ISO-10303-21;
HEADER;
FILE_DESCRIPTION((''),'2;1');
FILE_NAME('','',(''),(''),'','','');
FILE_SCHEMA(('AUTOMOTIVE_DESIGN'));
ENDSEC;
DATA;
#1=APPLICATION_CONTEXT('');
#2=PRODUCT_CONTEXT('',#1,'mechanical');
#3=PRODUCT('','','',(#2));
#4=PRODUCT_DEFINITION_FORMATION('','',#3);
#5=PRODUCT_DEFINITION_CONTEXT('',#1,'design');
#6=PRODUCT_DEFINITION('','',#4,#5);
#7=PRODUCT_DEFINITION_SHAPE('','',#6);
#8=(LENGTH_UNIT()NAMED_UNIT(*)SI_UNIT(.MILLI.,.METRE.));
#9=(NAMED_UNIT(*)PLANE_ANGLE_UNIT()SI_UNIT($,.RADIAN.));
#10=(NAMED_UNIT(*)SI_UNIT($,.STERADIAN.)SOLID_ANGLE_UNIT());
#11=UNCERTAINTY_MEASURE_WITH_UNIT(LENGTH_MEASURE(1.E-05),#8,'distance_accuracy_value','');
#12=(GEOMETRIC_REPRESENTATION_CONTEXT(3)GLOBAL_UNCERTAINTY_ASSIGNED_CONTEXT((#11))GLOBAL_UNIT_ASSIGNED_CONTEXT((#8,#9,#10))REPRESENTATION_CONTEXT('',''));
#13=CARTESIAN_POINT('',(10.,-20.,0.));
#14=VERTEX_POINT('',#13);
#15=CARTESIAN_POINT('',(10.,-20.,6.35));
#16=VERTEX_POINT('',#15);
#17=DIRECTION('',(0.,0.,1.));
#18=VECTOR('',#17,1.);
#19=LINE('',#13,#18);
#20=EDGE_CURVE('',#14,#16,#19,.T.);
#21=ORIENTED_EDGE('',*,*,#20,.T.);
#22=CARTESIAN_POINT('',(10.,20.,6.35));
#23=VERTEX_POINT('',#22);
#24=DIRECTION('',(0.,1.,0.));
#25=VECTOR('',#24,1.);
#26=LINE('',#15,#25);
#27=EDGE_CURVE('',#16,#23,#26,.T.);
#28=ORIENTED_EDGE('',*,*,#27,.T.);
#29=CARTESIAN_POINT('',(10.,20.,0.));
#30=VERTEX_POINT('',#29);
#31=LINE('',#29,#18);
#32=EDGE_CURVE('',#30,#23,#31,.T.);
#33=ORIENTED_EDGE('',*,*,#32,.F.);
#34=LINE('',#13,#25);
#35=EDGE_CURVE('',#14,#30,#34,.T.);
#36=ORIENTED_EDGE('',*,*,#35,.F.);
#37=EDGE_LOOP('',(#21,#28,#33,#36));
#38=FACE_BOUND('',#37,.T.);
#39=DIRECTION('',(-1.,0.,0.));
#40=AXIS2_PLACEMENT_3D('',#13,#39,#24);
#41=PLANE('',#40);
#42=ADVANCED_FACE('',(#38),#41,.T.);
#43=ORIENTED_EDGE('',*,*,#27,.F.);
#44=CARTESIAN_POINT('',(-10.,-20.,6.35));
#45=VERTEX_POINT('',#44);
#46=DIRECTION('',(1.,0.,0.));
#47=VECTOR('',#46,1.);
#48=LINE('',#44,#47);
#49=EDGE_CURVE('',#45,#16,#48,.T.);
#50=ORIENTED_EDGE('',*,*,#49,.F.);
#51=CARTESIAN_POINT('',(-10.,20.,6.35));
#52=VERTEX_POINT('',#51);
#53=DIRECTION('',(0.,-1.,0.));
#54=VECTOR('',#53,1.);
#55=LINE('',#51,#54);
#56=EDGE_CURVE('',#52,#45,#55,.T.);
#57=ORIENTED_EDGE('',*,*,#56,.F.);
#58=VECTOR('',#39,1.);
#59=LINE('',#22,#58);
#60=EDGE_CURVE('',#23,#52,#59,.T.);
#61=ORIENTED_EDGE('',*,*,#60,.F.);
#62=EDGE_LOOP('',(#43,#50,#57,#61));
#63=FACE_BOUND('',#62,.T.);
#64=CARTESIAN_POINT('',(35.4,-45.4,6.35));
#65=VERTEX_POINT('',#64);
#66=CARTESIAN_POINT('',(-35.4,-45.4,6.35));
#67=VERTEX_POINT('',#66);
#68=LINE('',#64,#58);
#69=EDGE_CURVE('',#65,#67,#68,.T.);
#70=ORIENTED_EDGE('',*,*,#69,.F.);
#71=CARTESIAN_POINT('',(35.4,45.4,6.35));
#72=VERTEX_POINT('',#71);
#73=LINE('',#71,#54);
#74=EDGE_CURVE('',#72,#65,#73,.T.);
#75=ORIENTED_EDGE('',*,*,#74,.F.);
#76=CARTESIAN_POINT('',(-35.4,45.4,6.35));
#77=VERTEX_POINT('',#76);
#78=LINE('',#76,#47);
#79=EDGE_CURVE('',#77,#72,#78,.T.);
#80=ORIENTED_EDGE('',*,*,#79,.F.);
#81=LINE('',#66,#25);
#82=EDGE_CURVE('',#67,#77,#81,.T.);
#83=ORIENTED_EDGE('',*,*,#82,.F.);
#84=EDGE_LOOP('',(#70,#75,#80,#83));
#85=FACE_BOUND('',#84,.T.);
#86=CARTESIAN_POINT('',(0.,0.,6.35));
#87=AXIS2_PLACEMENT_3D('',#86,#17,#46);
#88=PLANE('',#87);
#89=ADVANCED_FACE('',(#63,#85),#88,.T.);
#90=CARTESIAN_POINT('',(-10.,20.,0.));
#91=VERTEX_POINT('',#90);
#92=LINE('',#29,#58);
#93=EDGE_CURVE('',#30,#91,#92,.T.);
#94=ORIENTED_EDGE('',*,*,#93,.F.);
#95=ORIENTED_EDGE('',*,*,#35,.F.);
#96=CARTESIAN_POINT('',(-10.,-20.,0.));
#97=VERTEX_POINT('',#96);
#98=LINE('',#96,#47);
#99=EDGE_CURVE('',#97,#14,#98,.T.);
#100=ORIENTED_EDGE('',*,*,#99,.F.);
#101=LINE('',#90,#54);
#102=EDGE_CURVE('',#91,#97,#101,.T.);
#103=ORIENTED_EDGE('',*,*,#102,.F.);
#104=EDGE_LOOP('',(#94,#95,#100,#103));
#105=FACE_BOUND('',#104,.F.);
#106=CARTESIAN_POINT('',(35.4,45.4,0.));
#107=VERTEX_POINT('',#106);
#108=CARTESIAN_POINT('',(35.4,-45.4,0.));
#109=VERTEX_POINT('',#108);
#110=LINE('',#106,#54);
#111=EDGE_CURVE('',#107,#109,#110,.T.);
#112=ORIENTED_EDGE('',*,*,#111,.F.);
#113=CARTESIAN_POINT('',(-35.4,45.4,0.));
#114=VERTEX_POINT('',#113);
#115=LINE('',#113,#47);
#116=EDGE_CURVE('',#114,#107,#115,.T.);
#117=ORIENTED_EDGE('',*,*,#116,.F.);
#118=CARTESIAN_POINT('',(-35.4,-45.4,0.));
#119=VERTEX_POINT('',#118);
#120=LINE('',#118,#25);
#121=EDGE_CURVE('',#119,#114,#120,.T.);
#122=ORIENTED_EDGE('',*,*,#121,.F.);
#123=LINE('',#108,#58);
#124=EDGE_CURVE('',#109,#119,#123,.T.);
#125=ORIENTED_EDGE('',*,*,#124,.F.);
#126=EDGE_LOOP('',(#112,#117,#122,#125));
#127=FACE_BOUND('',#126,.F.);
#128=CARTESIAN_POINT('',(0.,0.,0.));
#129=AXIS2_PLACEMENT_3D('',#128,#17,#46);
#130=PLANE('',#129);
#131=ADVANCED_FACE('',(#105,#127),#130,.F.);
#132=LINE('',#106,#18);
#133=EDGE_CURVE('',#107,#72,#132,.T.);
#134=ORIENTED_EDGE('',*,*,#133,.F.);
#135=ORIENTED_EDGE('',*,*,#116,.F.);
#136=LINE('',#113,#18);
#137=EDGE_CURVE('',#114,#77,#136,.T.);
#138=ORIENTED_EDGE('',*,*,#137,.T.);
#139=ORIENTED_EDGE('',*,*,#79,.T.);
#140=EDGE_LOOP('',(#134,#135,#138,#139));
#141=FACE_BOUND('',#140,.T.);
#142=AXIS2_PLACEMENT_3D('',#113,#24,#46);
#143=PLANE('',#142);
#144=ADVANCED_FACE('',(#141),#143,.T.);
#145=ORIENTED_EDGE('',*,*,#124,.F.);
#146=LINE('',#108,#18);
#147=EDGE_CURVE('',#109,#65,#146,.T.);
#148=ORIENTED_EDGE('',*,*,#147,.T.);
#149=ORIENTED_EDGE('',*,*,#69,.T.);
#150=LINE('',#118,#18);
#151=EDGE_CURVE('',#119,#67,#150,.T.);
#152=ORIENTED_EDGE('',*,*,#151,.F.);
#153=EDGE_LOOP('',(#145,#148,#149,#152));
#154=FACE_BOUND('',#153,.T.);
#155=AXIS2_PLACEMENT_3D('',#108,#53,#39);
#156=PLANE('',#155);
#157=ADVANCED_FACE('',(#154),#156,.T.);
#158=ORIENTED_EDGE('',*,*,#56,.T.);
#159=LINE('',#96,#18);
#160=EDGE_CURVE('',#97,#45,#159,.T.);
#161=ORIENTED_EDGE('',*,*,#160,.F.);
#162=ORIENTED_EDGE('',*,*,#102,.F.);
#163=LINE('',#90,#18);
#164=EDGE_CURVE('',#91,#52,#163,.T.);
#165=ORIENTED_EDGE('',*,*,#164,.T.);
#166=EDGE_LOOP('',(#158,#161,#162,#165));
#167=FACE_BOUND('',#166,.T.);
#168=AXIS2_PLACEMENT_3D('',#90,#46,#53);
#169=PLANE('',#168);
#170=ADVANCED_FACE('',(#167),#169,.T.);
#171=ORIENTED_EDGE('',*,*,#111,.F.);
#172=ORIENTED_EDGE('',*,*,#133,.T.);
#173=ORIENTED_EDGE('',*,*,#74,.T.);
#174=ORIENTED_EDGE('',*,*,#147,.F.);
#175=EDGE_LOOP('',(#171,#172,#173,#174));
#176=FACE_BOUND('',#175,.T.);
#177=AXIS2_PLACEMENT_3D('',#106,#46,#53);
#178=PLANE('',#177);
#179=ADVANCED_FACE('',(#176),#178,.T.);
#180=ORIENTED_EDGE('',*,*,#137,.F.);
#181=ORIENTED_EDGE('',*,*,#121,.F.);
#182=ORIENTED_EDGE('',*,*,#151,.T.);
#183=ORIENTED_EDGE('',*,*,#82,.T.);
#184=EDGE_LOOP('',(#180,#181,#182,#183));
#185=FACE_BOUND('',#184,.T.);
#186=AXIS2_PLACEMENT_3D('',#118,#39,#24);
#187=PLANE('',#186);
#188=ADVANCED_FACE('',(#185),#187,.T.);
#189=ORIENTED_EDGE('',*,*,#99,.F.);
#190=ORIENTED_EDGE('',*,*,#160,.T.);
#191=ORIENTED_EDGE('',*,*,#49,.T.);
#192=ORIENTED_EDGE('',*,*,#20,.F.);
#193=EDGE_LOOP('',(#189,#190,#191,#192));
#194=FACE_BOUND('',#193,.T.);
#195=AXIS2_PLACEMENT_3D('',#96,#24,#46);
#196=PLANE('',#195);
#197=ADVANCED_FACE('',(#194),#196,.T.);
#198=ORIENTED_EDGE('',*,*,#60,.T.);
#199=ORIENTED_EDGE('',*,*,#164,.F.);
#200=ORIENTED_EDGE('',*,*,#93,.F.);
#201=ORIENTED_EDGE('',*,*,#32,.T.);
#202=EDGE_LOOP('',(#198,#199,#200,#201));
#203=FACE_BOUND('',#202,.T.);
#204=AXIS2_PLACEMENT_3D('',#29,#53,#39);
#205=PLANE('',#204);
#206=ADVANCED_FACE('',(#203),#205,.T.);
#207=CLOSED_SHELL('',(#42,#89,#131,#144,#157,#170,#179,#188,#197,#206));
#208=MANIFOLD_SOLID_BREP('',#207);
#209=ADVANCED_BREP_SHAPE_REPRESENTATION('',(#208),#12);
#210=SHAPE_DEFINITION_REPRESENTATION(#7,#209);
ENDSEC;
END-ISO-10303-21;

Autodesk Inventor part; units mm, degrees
ref_plane "YZ Plane" through (0, 0, 0) normal (1, 0, 0) x (0, 1, 0)
ref_plane "XZ Plane" through (0, 0, 0) normal (0, 1, 0) x (-1, 0, 0)
ref_plane "XY Plane" through (0, 0, 0) normal (0, 0, 1) x (1, 0, 0)
sketch "Sketch1" plane through (0, 0, 0) normal (0, 0, 1) x (1, 0, 0)
  line L0 (-10, -20) -> (10, -20)
  line L1 (10, -20) -> (10, 20)
  line L2 (10, 20) -> (-10, 20)
  line L3 (-10, 20) -> (-10, -20)
  line L4 (-10, -20) -> (10, 20) construction
  line L5 (10, -20) -> (-10, 20) construction
  line L6 (-35.4, 45.4) -> (35.4, 45.4)
  line L7 (35.4, 45.4) -> (35.4, -45.4)
  line L8 (35.4, -45.4) -> (-35.4, -45.4)
  line L9 (-35.4, -45.4) -> (-35.4, 45.4)
  point P0 (0, 0)
  dimension "d0" = 20
  dimension "d1" = 40
  dimension "d6" = 25.4
extrude "Extrusion1" add sketch "Sketch1" along normal blind 6.35
properties part number "servo_mount"
